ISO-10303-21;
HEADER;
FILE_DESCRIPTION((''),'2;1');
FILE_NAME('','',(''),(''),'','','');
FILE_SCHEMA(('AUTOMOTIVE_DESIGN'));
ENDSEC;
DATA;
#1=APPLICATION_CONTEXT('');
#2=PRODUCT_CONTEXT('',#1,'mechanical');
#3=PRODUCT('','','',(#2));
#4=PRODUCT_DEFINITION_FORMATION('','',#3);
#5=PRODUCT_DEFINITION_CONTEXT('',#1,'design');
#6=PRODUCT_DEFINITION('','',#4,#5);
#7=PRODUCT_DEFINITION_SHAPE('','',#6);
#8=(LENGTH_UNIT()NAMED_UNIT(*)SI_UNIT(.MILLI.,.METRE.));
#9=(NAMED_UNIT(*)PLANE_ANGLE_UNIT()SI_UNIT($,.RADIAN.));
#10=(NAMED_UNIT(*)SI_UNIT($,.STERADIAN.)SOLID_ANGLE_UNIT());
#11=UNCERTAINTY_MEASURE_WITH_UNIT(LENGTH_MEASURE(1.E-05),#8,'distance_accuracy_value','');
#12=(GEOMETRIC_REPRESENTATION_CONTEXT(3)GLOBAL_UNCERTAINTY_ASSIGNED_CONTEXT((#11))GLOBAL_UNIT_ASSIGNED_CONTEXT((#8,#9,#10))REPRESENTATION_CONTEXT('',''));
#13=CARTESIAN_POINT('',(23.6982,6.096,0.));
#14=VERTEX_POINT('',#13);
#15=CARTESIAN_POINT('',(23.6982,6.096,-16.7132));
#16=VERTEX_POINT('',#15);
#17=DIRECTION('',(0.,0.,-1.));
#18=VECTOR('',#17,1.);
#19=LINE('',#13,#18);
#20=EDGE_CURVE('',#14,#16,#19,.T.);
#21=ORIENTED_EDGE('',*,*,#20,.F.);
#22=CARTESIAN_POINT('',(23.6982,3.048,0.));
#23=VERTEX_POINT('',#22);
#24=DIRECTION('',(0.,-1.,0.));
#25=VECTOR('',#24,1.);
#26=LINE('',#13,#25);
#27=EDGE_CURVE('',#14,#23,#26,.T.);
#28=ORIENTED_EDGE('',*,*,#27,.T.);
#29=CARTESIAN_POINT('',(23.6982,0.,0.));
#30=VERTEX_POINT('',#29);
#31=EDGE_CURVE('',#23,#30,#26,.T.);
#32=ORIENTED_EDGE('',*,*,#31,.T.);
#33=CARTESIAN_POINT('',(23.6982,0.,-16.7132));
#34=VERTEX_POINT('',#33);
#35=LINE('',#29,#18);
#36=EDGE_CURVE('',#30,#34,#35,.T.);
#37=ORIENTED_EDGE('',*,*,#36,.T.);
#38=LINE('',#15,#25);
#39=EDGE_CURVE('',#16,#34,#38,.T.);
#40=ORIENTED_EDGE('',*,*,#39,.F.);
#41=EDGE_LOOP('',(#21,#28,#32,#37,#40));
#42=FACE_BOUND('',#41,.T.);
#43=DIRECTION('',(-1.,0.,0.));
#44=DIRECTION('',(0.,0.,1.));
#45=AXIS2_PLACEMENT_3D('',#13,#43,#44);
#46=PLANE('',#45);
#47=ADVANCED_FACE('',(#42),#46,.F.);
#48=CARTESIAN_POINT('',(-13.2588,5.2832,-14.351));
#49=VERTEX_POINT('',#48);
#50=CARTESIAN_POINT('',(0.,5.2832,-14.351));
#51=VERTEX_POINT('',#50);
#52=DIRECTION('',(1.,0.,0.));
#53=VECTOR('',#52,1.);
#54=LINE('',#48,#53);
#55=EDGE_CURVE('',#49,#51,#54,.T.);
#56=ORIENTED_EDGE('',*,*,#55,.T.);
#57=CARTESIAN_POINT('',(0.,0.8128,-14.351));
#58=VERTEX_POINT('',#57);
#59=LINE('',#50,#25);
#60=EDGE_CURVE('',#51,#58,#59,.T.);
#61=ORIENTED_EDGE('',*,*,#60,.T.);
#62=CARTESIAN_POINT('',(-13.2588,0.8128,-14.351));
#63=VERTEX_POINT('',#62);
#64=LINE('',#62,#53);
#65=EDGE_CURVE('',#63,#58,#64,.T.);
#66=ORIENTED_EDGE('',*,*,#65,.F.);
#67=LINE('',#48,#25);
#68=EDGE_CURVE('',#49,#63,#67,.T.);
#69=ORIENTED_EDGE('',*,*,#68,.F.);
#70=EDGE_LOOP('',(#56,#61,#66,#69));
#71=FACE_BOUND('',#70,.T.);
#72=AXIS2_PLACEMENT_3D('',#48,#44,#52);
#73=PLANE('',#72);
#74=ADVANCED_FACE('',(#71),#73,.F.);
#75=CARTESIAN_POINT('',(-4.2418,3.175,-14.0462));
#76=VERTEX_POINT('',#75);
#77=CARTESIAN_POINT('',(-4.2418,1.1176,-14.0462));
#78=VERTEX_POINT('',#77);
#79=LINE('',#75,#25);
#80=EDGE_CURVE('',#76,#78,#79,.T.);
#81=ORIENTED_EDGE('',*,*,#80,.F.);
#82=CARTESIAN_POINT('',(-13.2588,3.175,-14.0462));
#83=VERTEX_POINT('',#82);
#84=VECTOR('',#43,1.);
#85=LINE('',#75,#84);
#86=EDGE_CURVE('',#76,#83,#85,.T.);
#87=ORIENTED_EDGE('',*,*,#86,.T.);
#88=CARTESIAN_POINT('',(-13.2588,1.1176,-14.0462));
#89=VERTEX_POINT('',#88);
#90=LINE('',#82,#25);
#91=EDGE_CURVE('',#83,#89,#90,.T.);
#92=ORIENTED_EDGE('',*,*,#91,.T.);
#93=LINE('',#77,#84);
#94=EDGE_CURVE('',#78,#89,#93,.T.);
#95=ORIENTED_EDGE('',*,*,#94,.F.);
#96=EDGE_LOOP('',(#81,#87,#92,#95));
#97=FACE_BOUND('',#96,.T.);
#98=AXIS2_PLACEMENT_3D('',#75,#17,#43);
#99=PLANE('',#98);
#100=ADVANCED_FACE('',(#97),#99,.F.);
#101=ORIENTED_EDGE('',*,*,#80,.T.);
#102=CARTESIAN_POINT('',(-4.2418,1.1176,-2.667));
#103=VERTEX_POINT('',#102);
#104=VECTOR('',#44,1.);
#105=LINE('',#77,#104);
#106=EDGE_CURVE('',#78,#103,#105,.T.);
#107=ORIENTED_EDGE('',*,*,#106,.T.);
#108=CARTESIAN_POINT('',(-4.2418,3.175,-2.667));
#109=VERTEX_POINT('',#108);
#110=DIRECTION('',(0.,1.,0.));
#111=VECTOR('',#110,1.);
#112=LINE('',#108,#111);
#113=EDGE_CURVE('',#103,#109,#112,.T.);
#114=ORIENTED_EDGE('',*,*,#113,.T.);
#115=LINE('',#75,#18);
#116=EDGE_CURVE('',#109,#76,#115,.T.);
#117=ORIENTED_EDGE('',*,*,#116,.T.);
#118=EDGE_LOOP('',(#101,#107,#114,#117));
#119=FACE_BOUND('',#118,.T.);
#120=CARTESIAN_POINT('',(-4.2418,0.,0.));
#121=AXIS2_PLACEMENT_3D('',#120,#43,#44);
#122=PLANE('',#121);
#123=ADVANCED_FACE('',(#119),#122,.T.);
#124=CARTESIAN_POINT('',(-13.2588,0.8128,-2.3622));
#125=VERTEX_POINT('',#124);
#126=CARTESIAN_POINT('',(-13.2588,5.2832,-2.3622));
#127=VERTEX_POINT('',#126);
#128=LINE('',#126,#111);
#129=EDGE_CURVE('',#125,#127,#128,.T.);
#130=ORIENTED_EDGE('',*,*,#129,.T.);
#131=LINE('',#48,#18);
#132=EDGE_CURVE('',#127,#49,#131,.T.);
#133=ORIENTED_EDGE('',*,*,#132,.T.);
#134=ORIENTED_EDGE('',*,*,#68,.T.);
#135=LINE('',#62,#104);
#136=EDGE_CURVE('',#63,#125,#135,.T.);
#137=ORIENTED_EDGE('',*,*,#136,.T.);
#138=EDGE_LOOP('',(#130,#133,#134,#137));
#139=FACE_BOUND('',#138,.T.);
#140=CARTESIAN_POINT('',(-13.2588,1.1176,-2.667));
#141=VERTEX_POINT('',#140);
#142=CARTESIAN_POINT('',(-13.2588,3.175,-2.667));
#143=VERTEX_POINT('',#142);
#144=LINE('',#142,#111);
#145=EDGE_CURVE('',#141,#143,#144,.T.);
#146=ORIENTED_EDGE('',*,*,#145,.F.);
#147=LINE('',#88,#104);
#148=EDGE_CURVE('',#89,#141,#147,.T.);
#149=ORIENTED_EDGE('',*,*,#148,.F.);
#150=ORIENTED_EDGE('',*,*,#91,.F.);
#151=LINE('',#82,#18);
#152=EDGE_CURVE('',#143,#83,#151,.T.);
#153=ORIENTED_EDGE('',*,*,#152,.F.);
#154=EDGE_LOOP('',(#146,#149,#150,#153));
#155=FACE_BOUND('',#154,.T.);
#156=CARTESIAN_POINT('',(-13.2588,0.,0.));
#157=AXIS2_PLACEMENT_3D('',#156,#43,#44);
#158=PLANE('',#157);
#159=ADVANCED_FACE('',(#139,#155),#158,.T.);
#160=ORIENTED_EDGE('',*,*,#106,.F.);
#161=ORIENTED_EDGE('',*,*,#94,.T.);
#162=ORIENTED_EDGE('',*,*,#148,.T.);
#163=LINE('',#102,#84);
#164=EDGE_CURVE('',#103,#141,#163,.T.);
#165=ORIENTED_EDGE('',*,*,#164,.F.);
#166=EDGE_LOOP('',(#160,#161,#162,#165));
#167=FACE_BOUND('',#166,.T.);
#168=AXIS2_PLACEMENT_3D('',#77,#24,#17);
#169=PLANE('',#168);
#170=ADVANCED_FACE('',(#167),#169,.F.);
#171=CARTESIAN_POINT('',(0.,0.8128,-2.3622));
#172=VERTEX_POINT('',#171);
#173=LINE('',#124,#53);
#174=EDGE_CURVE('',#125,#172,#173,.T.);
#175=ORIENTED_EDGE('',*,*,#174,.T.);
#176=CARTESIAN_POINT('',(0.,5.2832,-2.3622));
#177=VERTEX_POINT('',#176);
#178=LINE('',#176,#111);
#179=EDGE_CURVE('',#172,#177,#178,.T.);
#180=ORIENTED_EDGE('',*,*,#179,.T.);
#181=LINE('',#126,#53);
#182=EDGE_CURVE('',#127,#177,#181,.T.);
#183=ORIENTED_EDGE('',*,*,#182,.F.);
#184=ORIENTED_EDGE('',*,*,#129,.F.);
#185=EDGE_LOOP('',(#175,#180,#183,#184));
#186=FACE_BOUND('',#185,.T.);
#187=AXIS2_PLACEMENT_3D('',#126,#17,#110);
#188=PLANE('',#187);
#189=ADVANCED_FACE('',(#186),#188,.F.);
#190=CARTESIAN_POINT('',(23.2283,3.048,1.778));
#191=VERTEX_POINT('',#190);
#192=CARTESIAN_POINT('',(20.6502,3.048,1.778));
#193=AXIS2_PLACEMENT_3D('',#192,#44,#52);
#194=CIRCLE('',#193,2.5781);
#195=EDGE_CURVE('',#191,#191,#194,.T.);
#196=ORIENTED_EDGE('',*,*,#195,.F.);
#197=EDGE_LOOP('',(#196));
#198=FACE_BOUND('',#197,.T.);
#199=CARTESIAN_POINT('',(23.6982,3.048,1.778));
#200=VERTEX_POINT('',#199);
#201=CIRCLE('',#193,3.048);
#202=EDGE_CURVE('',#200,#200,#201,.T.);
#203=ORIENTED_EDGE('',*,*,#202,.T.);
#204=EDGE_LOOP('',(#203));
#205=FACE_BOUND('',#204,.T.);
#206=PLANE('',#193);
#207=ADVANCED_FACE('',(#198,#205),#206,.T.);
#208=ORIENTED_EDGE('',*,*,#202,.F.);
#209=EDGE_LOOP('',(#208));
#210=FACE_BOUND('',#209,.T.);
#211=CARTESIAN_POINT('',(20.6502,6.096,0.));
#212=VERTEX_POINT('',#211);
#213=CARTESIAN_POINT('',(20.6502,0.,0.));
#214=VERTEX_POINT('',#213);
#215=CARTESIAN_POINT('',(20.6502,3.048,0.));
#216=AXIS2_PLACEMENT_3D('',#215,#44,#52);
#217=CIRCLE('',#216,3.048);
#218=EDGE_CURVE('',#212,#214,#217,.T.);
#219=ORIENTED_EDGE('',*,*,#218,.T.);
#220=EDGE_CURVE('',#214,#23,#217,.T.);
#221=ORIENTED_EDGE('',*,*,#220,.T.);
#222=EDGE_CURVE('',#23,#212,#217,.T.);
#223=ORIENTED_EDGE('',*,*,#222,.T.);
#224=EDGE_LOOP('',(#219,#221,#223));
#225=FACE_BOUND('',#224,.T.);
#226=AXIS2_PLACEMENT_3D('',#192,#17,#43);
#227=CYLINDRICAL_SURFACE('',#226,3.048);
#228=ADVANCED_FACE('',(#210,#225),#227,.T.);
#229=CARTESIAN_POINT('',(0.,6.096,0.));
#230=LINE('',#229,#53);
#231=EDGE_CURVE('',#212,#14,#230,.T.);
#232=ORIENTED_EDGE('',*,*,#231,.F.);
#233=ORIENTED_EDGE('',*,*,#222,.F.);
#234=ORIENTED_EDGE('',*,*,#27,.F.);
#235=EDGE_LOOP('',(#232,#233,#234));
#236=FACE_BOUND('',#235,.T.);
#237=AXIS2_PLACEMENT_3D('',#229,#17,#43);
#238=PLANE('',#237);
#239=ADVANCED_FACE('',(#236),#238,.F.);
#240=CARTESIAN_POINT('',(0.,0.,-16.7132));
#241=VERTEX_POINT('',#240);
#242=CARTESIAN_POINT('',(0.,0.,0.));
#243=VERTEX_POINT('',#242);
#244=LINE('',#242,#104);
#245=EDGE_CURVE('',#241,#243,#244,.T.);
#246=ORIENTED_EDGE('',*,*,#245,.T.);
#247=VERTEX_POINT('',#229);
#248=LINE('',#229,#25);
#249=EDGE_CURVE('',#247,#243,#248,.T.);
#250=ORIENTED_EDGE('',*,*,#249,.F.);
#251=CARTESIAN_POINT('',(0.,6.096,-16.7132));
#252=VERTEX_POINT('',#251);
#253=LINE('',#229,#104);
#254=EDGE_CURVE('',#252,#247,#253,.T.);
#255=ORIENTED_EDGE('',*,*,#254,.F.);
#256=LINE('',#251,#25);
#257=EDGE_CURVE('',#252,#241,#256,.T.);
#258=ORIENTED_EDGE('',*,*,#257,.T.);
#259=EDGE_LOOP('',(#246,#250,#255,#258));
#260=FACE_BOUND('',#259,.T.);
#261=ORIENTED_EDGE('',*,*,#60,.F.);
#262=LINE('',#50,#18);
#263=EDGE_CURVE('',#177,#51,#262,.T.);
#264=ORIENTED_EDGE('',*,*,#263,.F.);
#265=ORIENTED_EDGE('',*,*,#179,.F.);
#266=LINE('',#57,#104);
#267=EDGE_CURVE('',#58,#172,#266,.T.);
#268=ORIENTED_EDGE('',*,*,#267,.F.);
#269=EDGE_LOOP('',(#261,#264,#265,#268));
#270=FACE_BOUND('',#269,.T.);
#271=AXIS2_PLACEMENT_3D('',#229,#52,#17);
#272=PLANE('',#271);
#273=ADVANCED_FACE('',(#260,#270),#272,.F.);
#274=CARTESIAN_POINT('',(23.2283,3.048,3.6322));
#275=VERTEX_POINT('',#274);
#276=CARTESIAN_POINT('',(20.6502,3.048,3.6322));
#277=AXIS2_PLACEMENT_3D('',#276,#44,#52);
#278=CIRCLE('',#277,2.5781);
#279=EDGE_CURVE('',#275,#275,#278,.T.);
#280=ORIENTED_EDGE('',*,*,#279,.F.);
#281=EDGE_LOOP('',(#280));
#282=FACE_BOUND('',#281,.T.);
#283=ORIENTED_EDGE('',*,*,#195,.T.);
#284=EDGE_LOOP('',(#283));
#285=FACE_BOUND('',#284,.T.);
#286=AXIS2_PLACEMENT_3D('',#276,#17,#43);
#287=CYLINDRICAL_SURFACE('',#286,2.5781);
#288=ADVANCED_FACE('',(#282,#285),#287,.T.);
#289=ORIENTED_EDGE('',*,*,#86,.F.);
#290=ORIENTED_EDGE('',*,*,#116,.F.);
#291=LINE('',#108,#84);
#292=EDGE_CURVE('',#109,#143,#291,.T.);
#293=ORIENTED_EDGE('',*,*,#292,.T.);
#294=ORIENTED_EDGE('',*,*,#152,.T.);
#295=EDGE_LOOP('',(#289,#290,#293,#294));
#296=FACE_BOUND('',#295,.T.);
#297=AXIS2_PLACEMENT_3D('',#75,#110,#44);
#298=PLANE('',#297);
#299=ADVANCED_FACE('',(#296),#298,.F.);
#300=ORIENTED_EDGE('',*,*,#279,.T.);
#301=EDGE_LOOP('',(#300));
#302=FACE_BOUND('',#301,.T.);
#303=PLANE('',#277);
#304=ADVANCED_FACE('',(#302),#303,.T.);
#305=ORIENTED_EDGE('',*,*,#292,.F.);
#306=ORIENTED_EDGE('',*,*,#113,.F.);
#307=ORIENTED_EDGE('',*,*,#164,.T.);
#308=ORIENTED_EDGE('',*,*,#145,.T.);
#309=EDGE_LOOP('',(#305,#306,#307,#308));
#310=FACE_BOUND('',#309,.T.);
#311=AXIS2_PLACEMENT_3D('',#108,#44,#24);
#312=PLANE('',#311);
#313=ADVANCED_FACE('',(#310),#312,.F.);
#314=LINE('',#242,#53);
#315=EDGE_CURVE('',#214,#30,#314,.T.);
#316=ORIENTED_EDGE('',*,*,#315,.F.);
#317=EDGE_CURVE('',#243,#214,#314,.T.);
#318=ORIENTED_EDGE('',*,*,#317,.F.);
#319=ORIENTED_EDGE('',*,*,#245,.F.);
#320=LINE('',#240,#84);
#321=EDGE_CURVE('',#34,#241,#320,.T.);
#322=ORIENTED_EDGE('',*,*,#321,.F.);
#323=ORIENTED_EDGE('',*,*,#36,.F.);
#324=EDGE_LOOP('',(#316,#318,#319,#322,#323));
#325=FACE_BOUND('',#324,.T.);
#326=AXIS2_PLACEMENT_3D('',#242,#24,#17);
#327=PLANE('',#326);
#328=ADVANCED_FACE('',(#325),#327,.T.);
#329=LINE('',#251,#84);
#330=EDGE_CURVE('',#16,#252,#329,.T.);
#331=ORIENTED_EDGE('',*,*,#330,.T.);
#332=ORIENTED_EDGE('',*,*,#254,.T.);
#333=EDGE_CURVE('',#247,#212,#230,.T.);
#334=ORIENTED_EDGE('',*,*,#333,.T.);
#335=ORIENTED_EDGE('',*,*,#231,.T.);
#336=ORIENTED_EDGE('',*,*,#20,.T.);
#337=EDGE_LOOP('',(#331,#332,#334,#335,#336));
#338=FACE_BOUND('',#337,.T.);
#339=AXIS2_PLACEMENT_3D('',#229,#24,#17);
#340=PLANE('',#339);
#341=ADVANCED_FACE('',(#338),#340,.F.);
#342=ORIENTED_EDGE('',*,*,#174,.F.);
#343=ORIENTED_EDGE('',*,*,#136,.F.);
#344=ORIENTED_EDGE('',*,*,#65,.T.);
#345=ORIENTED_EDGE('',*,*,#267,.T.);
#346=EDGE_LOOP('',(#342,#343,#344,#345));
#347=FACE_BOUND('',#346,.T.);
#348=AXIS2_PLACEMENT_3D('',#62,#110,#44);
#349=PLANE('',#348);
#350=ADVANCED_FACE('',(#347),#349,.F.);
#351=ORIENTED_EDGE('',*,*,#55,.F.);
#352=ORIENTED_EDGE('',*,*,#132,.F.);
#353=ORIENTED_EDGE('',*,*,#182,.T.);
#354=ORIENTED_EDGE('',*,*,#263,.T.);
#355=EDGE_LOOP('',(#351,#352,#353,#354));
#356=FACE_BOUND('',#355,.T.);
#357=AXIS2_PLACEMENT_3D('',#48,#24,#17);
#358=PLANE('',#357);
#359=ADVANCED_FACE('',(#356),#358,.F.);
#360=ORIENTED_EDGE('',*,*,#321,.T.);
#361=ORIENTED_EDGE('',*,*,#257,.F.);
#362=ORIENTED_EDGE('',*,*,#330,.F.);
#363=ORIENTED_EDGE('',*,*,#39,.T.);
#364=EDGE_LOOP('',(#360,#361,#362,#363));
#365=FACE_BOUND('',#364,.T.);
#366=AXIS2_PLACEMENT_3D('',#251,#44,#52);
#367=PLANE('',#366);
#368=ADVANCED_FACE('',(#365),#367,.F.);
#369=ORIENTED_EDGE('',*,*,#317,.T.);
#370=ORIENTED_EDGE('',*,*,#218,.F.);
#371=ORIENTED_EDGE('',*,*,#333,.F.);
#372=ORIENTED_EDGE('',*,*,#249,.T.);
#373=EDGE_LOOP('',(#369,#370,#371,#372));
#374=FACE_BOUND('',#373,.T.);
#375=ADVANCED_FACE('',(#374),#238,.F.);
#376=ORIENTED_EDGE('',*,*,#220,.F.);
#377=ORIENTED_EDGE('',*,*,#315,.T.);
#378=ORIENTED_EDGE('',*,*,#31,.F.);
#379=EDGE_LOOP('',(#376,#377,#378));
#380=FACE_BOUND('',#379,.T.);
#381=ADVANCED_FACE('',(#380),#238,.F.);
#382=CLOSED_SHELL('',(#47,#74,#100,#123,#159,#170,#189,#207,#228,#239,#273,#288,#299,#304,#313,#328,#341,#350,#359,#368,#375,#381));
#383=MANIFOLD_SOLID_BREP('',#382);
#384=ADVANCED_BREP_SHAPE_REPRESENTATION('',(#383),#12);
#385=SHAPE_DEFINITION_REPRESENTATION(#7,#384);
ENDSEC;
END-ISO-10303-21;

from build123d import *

# Parameters (mm, degrees)
SKETCH1_W           = 23.6982
SKETCH1_H           = 16.7132
BOSS_EXTRUDE1_DEPTH = 6.096
SKETCH2_W           = 11.9888
SKETCH2_H           = 4.4704
BOSS_EXTRUDE2_DEPTH = 13.2588
SKETCH3_W           = 11.3792
SKETCH3_H           = 2.0574
CUT_EXTRUDE1_DEPTH  = 9.017
SKETCH4_R           = 3.048
BOSS_EXTRUDE3_DEPTH = 1.778
SKETCH5_R           = 2.5781
BOSS_EXTRUDE4_DEPTH = 1.8542


with BuildPart() as part:
    # Sketch1 → Boss-Extrude1 (new body)
    with BuildSketch(Plane(origin=(0, 0, 0), x_dir=(1, 0, 0), z_dir=(0, 1, 0))):
        with Locations((11.8491, 8.3566)):
            Rectangle(SKETCH1_W, SKETCH1_H)
    extrude(amount=BOSS_EXTRUDE1_DEPTH)

    # Sketch2 → Boss-Extrude2 (add)
    with BuildSketch(Plane.ZY):
        with Locations((-8.3566, 3.048)):
            Rectangle(SKETCH2_W, SKETCH2_H)
    extrude(amount=BOSS_EXTRUDE2_DEPTH)

    # Sketch3 → Cut-Extrude1 (cut)
    with BuildSketch(Plane.ZY.offset(13.2588)):
        with Locations((-8.3566, 2.1463)):
            Rectangle(SKETCH3_W, SKETCH3_H)
    extrude(amount=-CUT_EXTRUDE1_DEPTH, mode=Mode.SUBTRACT)

    # Sketch4 → Boss-Extrude3 (add)
    with BuildSketch(Plane.XY):
        with Locations((20.6502, 3.048)):
            Circle(SKETCH4_R)
    extrude(amount=BOSS_EXTRUDE3_DEPTH)

    # Sketch5 → Boss-Extrude4 (add)
    with BuildSketch(Plane.XY.offset(1.778)):
        with Locations((20.6502, 3.048)):
            Circle(SKETCH5_R)
    extrude(amount=BOSS_EXTRUDE4_DEPTH)


solid = part.part
